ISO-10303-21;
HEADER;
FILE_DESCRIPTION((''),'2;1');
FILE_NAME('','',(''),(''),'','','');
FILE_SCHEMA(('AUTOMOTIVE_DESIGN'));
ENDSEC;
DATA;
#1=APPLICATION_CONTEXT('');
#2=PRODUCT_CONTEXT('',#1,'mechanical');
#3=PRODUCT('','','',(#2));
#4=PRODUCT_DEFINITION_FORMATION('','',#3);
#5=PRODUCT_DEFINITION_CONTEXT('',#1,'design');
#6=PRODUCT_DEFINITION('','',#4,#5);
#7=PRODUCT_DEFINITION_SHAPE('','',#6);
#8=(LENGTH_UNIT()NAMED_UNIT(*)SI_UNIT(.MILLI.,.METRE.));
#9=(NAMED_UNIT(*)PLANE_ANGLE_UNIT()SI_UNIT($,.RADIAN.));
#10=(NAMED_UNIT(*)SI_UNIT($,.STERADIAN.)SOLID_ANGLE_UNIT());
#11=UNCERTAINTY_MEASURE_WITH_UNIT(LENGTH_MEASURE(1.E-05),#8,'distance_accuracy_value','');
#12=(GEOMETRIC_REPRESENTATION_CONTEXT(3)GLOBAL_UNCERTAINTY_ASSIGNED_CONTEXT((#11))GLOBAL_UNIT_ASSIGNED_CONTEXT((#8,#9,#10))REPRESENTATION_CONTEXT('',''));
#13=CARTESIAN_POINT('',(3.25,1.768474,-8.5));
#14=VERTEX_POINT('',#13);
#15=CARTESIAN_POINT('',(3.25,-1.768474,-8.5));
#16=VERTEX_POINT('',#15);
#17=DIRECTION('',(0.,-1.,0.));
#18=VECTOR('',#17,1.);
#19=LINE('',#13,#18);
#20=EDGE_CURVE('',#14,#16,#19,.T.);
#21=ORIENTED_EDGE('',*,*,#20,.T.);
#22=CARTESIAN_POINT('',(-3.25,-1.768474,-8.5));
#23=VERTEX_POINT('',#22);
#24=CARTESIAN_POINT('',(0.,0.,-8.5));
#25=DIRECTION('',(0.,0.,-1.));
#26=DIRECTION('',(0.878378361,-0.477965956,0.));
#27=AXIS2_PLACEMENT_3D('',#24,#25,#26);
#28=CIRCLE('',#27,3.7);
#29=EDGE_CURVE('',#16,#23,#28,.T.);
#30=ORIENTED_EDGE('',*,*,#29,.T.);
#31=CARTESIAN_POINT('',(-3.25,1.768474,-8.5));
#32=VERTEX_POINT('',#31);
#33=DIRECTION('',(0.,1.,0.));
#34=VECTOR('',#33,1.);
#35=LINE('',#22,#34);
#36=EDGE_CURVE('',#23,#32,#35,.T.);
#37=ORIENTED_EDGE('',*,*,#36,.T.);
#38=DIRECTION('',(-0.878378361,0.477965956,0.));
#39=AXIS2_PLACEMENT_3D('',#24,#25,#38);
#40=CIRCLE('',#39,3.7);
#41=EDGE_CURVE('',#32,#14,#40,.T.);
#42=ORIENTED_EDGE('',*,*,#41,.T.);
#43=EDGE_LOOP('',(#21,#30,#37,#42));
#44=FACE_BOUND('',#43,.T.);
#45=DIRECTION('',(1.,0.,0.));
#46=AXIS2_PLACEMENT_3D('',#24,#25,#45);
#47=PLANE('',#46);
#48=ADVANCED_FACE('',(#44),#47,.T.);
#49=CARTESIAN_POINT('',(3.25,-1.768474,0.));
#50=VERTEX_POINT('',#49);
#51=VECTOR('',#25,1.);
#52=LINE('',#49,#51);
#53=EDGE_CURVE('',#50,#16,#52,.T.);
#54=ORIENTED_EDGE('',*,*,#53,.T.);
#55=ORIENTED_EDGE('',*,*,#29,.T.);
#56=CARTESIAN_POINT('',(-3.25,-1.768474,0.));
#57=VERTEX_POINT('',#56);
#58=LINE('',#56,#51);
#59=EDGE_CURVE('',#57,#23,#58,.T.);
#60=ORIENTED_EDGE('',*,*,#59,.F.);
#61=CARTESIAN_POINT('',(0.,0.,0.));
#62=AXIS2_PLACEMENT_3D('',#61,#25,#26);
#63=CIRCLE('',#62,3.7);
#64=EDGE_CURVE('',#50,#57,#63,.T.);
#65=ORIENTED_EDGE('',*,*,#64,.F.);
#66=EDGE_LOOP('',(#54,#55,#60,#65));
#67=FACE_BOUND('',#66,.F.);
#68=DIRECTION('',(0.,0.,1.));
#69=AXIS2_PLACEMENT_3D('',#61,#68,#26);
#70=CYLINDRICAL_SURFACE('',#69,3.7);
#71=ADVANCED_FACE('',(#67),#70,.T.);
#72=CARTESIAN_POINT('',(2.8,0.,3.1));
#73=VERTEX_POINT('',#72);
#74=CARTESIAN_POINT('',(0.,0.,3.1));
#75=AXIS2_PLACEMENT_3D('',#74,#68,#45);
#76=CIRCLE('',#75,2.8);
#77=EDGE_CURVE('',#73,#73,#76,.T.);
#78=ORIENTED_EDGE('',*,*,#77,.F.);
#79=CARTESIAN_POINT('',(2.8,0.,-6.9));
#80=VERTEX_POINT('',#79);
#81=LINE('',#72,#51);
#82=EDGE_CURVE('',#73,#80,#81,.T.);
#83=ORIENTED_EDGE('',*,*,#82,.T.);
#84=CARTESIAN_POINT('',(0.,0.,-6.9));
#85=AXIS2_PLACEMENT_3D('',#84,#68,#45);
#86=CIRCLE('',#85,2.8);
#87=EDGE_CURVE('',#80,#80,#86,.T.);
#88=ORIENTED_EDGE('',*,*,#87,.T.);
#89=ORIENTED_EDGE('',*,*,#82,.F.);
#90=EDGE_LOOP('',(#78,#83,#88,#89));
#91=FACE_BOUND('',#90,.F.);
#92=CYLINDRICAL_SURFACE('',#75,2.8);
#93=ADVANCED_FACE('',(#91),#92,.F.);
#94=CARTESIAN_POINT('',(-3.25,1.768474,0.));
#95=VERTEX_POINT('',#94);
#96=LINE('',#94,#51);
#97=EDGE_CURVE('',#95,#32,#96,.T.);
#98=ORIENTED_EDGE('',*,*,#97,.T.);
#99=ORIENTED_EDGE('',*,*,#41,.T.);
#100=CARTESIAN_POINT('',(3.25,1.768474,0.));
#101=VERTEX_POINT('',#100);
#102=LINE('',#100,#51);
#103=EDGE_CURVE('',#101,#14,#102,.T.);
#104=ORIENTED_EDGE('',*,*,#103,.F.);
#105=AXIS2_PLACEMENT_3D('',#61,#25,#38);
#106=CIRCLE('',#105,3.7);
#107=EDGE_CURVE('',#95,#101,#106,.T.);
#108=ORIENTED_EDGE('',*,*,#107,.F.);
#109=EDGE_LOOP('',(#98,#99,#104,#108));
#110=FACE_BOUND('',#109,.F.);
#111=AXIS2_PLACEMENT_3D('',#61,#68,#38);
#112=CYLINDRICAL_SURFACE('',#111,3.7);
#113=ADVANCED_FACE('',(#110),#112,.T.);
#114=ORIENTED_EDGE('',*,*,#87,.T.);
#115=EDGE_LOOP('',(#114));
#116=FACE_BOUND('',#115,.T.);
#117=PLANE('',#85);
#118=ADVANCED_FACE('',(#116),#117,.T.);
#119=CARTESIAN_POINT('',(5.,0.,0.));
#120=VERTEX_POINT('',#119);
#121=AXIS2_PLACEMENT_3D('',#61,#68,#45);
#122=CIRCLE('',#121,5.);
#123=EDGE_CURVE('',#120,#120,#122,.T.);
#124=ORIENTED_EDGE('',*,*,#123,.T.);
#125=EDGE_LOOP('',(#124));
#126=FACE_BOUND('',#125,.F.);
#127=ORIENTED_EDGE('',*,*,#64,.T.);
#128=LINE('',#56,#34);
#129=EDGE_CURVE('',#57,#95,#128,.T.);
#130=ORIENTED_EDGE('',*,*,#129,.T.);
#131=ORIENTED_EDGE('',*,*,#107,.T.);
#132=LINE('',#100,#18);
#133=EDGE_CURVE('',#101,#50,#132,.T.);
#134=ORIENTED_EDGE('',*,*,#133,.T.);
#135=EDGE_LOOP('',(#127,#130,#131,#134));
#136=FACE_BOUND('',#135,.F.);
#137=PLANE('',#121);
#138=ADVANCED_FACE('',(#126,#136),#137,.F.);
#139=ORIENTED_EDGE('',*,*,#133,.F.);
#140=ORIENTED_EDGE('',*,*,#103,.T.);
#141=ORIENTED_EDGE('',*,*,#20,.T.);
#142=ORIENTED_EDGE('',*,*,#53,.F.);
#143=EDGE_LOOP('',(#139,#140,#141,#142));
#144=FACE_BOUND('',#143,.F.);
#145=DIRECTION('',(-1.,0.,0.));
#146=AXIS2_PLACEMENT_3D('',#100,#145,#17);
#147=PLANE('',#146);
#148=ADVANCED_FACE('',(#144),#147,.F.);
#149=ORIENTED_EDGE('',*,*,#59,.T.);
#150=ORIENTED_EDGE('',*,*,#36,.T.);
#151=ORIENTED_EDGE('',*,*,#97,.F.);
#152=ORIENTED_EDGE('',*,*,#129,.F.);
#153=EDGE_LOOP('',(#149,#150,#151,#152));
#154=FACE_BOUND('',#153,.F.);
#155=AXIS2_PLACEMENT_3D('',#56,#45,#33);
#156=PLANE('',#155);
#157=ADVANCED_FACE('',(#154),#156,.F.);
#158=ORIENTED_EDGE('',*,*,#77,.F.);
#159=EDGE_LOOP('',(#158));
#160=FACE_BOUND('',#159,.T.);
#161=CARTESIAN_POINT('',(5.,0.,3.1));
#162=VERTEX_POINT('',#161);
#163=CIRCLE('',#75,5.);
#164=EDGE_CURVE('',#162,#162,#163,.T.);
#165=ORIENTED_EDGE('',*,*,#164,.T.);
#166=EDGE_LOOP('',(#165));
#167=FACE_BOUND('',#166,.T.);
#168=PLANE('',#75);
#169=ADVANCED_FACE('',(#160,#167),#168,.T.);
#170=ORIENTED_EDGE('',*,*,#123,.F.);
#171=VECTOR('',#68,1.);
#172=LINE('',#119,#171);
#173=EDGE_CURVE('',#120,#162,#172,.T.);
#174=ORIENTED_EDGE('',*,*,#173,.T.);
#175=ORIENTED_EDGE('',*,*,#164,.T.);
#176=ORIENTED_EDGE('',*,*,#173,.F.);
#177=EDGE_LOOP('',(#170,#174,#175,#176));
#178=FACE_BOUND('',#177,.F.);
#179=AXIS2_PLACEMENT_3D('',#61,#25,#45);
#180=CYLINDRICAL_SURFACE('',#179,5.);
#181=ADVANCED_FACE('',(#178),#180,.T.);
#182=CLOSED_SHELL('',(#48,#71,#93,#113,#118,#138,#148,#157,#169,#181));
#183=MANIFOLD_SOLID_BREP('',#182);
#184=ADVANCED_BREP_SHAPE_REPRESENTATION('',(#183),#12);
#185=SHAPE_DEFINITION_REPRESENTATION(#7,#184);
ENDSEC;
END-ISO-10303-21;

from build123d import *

# Parameters (mm, degrees)
PAD005_DEPTH    = 8.5
SKETCH013_R     = 5
PAD006_DEPTH    = 3.1
SKETCH015_R     = 2.8
POCKET005_DEPTH = 10


with BuildPart() as part:
    # Sketch012 (on Face1 of CopyCylinder) → Pad005 (new body)
    with BuildSketch(Plane(origin=(0, 0, 0), x_dir=(1, 0, 0), z_dir=(0, 0, -1))):
        with BuildLine():
            ThreePointArc((-3.25, -1.768474), (0, -3.7), (3.25, -1.768474))
            Line((3.25, -1.768474), (3.25, 1.768474))
            ThreePointArc((3.25, 1.768474), (0, 3.7), (-3.25, 1.768474))
            Line((-3.25, 1.768474), (-3.25, -1.768474))
        make_face()
    extrude(amount=PAD005_DEPTH)

    # Sketch013 (on Face5 of Pad005) → Pad006 (join)
    with BuildSketch(Plane.XY):
        Circle(SKETCH013_R)
    extrude(amount=PAD006_DEPTH)

    # Sketch015 (on Face3 of Pad006) → Pocket005 (cut)
    with BuildSketch(Plane.XY.offset(3.1)):
        Circle(SKETCH015_R)
    extrude(amount=-POCKET005_DEPTH, mode=Mode.SUBTRACT)


solid = part.part
